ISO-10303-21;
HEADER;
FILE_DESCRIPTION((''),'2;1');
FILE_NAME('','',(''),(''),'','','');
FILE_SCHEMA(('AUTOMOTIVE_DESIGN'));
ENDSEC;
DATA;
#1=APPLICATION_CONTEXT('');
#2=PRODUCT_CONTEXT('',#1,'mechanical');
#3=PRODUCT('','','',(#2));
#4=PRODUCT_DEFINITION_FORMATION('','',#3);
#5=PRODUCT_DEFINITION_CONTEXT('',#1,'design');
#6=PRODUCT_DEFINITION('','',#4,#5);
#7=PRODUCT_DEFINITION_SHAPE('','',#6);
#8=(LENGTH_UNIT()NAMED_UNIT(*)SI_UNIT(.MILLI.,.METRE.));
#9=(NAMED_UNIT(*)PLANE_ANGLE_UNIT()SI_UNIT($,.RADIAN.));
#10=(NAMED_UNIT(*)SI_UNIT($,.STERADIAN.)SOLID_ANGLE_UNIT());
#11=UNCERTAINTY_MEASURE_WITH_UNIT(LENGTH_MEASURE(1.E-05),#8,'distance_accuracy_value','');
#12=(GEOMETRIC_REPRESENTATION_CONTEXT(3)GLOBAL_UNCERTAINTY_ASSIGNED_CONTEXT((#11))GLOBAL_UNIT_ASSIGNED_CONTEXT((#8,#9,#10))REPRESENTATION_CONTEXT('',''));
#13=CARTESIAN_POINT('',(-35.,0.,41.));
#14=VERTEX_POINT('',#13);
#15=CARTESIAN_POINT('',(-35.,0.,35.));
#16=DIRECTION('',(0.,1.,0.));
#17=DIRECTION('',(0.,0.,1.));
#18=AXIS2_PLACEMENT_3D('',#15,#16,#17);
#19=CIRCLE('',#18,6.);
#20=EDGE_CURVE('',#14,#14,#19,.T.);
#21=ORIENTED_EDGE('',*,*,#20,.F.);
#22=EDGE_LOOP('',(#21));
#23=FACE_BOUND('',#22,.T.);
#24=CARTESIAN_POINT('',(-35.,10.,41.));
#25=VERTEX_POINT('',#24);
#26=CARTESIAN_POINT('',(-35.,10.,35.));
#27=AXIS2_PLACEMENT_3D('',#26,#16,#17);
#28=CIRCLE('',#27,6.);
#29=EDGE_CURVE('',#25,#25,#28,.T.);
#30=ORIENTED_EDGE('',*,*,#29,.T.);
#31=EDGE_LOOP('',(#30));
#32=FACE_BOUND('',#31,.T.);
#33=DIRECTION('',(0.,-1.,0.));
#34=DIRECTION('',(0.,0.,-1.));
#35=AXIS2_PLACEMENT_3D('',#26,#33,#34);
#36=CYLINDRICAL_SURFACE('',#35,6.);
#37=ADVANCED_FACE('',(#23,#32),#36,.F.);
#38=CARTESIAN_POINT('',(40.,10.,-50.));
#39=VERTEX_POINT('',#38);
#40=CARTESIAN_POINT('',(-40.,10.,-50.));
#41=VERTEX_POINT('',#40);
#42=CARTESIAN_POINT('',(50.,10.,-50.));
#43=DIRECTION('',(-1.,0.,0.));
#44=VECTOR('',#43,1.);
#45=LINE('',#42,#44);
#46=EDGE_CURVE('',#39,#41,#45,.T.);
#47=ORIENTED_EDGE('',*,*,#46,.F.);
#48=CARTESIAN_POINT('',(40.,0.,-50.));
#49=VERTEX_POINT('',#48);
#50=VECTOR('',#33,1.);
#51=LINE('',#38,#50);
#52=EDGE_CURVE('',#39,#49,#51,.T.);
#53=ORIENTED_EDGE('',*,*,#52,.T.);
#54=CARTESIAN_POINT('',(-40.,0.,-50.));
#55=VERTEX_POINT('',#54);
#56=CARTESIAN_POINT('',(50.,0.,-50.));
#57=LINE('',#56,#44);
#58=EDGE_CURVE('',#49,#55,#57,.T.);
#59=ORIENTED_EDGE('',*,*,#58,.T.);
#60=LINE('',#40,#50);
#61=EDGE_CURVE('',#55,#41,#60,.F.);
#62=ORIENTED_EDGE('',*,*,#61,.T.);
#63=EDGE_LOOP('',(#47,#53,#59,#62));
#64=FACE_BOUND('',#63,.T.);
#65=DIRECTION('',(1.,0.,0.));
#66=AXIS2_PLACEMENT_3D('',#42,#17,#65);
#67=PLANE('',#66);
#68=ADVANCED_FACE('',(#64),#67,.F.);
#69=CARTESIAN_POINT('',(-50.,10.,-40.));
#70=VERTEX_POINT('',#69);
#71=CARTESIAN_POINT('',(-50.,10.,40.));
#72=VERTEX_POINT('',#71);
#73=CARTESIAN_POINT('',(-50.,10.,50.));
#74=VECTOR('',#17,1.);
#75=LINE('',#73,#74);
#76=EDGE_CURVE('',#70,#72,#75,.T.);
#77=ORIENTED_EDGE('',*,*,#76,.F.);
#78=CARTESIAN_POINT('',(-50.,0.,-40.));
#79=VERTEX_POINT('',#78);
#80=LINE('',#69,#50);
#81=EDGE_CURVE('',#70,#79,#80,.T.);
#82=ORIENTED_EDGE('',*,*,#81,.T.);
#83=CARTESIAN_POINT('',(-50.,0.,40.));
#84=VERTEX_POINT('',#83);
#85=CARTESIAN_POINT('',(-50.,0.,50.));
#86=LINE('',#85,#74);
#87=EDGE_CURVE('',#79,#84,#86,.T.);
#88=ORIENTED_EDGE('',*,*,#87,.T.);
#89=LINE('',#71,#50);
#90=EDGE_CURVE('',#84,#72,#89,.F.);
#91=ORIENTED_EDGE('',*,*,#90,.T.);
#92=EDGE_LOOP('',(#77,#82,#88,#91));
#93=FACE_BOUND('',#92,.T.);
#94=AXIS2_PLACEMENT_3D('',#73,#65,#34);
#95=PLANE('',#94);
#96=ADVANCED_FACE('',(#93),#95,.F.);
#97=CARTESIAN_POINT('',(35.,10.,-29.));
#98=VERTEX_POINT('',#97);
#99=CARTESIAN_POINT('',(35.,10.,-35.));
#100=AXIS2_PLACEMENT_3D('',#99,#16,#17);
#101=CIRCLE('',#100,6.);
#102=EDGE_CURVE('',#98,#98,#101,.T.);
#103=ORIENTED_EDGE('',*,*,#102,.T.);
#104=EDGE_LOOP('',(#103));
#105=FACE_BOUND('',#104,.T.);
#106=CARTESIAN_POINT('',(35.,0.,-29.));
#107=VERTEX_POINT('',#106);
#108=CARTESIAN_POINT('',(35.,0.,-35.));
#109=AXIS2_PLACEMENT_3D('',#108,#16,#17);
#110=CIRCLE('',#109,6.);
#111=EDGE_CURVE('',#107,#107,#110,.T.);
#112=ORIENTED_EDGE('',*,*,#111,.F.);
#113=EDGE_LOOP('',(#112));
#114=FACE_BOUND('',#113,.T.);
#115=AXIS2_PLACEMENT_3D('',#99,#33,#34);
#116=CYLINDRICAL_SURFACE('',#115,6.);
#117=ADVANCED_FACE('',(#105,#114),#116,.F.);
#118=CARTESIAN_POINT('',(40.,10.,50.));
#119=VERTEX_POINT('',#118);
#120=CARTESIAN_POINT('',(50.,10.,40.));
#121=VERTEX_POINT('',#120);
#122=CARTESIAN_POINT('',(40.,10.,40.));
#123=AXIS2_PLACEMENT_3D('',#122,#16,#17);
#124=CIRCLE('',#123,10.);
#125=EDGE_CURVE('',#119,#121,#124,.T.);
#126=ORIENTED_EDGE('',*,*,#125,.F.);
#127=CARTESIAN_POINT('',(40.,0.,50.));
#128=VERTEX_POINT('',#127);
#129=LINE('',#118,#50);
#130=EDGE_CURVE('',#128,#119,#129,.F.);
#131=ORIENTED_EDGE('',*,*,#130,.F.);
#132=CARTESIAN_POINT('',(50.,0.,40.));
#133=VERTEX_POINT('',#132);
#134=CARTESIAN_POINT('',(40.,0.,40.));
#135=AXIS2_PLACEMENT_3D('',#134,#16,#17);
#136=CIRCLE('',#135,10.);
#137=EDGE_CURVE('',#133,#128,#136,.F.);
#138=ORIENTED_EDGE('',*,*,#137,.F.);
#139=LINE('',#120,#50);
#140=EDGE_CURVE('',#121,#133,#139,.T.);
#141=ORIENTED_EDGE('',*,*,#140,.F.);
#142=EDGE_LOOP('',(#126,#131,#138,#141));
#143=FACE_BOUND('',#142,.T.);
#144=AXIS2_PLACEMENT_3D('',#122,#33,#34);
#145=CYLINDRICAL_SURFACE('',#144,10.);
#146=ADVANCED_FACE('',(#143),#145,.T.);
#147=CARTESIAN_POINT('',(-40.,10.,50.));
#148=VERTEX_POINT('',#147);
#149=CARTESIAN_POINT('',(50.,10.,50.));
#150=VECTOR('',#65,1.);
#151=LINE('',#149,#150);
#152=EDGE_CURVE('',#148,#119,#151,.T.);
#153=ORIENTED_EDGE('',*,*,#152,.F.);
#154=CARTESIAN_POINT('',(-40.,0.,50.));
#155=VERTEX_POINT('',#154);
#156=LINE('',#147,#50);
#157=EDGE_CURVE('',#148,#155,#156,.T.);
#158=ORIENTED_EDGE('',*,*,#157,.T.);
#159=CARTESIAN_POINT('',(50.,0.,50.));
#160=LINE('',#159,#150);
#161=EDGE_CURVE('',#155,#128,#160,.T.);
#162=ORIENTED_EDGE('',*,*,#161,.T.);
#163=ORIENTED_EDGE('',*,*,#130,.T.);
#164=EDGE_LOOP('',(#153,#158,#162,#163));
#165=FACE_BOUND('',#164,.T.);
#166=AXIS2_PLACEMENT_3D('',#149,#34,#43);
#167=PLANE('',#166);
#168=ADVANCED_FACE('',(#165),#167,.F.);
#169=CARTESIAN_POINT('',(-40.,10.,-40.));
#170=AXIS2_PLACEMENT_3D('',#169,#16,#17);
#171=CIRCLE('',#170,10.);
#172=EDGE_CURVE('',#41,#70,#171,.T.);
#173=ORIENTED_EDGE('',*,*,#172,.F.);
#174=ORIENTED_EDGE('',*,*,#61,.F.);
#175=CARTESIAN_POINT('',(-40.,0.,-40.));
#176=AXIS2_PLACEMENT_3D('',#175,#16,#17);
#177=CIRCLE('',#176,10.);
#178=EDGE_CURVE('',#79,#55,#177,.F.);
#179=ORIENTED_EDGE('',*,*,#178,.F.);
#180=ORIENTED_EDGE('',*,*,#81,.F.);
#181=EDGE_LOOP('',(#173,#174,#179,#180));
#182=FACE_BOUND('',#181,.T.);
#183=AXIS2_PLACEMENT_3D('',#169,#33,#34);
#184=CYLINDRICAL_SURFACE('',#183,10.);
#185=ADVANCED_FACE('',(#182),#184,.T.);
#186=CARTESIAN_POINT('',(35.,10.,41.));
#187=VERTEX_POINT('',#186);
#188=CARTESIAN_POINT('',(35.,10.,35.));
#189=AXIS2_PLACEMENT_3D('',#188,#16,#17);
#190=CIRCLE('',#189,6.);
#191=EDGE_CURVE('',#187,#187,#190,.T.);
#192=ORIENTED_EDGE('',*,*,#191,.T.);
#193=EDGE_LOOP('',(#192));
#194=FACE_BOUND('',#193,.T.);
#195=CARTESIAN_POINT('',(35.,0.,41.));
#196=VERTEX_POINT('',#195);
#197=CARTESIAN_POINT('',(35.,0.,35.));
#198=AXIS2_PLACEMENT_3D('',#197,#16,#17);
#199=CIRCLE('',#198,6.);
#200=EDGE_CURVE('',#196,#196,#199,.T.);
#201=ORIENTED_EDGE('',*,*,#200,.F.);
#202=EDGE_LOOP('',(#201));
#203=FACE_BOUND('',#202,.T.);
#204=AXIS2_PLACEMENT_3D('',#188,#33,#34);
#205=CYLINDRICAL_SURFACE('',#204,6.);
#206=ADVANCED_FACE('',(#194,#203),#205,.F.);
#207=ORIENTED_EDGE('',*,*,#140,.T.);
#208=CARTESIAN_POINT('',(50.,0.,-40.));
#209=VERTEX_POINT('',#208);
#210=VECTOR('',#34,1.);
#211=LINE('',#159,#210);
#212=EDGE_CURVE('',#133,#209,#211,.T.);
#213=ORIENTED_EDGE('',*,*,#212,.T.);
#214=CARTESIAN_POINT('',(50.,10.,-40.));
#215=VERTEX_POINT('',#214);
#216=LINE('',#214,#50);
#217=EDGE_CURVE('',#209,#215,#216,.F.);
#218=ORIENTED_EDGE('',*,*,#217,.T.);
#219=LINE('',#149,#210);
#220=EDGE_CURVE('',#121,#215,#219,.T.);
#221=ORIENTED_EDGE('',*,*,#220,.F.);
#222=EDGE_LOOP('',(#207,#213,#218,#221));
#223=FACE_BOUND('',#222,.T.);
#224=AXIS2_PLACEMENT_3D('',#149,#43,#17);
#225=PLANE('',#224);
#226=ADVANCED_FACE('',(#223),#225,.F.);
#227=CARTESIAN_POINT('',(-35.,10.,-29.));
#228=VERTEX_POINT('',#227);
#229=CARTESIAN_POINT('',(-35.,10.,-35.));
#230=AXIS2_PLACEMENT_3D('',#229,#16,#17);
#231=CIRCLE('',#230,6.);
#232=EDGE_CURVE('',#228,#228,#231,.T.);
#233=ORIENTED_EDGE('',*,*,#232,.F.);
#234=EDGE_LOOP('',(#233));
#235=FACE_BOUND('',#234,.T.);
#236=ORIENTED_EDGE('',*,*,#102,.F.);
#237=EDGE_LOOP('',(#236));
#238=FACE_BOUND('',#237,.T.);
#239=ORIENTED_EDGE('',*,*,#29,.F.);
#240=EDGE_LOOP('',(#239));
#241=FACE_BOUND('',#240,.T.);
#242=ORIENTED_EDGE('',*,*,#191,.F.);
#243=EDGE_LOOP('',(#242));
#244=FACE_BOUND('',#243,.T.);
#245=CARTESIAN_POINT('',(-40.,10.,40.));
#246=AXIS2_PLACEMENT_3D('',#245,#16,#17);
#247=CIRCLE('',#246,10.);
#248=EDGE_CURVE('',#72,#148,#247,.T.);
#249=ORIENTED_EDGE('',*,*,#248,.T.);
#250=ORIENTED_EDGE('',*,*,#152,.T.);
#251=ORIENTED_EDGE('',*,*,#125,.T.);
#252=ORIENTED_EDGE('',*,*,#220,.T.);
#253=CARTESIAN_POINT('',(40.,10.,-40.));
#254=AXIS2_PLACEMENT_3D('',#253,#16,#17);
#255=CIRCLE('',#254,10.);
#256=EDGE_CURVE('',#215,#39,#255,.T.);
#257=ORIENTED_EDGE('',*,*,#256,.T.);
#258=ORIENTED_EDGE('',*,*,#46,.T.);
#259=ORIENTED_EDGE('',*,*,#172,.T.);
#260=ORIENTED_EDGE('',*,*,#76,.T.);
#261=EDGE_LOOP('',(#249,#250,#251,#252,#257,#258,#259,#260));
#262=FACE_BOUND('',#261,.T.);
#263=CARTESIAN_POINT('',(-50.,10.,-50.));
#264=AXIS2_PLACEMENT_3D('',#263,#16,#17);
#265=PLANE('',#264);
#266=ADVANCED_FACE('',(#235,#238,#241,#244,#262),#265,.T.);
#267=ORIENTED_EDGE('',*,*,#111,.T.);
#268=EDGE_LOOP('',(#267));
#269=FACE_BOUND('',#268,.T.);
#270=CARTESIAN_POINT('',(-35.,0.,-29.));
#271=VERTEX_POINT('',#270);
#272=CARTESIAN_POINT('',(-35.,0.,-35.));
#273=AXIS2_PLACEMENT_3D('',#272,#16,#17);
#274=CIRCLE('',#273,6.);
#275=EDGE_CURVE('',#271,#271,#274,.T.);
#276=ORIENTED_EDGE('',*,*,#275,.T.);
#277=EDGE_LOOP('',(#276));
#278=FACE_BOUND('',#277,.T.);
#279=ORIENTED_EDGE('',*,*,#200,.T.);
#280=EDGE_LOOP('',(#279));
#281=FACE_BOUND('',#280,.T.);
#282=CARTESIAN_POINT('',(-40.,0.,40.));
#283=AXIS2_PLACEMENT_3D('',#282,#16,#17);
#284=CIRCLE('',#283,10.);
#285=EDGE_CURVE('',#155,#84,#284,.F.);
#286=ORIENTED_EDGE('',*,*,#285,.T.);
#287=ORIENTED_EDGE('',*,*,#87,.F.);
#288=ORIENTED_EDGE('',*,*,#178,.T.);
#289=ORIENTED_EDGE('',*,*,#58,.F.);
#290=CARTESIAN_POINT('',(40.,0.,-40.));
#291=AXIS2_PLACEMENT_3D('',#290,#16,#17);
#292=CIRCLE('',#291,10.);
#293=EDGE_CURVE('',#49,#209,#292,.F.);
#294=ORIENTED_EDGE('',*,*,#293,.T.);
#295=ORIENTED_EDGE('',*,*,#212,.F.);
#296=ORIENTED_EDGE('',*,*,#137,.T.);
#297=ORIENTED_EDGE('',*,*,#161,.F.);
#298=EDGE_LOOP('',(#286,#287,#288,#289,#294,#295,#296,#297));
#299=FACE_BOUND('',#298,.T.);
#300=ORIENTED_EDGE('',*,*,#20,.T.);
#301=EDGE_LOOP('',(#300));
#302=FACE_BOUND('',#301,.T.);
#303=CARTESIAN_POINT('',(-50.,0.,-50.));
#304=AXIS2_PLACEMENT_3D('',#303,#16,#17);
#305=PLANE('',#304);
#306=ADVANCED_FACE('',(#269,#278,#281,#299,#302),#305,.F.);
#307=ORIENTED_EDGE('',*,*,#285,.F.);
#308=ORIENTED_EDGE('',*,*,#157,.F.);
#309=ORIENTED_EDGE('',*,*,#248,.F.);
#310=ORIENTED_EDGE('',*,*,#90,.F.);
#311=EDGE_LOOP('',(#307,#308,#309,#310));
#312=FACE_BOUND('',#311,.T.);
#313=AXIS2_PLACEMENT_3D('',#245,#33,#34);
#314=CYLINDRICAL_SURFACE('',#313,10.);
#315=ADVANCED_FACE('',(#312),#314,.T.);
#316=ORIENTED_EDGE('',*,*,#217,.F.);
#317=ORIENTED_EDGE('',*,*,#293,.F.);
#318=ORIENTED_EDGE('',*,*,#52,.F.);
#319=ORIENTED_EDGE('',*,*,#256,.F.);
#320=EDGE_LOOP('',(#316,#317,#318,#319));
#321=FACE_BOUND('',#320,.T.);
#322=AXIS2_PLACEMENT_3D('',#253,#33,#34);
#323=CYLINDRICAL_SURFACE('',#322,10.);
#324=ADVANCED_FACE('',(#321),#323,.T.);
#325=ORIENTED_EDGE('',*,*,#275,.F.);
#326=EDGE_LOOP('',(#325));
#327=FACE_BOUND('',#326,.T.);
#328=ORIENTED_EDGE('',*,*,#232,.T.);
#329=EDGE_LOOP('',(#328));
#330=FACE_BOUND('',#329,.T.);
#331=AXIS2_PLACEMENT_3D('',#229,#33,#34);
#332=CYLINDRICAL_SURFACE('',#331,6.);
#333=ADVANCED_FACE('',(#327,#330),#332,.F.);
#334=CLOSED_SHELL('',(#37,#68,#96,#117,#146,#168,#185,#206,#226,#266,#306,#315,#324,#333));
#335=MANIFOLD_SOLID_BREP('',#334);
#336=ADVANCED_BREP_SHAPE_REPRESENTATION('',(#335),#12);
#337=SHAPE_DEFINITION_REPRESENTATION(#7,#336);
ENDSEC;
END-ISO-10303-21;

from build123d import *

# Parameters (mm, degrees)
SCHIZZO1_W                   = 100
SCHIZZO1_H                   = 100
SCHIZZO1_R                   = 6
ESTRUSIONE_ESTRUSIONE1_DEPTH = 10
RACCORDO1_R                  = 10


with BuildPart() as part:
    # Schizzo1 → Estrusione-Estrusione1 (new body)
    with BuildSketch(Plane(origin=(0, 0, 0), x_dir=(1, 0, 0), z_dir=(0, 1, 0))):
        Rectangle(SCHIZZO1_W, SCHIZZO1_H)
        with Locations(Location((-35, 35, 0), (0, 0, 270))):
            Circle(SCHIZZO1_R, mode=Mode.SUBTRACT)
        with Locations(Location((35, 35, 0), (0, 0, 270))):
            Circle(SCHIZZO1_R, mode=Mode.SUBTRACT)
        with Locations(Location((-35, -35, 0), (0, 0, 270))):
            Circle(SCHIZZO1_R, mode=Mode.SUBTRACT)
        with Locations(Location((35, -35, 0), (0, 0, 270))):
            Circle(SCHIZZO1_R, mode=Mode.SUBTRACT)
    extrude(amount=ESTRUSIONE_ESTRUSIONE1_DEPTH)

    # Raccordo1
    raccordo1_edges = [part.edges().sort_by_distance(p)[0] for p in [
        (-50, 5, -50),
        (50, 5, -50),
        (50, 5, 50),
        (-50, 5, 50),
    ]]
    fillet(raccordo1_edges, radius=RACCORDO1_R)


solid = part.part
